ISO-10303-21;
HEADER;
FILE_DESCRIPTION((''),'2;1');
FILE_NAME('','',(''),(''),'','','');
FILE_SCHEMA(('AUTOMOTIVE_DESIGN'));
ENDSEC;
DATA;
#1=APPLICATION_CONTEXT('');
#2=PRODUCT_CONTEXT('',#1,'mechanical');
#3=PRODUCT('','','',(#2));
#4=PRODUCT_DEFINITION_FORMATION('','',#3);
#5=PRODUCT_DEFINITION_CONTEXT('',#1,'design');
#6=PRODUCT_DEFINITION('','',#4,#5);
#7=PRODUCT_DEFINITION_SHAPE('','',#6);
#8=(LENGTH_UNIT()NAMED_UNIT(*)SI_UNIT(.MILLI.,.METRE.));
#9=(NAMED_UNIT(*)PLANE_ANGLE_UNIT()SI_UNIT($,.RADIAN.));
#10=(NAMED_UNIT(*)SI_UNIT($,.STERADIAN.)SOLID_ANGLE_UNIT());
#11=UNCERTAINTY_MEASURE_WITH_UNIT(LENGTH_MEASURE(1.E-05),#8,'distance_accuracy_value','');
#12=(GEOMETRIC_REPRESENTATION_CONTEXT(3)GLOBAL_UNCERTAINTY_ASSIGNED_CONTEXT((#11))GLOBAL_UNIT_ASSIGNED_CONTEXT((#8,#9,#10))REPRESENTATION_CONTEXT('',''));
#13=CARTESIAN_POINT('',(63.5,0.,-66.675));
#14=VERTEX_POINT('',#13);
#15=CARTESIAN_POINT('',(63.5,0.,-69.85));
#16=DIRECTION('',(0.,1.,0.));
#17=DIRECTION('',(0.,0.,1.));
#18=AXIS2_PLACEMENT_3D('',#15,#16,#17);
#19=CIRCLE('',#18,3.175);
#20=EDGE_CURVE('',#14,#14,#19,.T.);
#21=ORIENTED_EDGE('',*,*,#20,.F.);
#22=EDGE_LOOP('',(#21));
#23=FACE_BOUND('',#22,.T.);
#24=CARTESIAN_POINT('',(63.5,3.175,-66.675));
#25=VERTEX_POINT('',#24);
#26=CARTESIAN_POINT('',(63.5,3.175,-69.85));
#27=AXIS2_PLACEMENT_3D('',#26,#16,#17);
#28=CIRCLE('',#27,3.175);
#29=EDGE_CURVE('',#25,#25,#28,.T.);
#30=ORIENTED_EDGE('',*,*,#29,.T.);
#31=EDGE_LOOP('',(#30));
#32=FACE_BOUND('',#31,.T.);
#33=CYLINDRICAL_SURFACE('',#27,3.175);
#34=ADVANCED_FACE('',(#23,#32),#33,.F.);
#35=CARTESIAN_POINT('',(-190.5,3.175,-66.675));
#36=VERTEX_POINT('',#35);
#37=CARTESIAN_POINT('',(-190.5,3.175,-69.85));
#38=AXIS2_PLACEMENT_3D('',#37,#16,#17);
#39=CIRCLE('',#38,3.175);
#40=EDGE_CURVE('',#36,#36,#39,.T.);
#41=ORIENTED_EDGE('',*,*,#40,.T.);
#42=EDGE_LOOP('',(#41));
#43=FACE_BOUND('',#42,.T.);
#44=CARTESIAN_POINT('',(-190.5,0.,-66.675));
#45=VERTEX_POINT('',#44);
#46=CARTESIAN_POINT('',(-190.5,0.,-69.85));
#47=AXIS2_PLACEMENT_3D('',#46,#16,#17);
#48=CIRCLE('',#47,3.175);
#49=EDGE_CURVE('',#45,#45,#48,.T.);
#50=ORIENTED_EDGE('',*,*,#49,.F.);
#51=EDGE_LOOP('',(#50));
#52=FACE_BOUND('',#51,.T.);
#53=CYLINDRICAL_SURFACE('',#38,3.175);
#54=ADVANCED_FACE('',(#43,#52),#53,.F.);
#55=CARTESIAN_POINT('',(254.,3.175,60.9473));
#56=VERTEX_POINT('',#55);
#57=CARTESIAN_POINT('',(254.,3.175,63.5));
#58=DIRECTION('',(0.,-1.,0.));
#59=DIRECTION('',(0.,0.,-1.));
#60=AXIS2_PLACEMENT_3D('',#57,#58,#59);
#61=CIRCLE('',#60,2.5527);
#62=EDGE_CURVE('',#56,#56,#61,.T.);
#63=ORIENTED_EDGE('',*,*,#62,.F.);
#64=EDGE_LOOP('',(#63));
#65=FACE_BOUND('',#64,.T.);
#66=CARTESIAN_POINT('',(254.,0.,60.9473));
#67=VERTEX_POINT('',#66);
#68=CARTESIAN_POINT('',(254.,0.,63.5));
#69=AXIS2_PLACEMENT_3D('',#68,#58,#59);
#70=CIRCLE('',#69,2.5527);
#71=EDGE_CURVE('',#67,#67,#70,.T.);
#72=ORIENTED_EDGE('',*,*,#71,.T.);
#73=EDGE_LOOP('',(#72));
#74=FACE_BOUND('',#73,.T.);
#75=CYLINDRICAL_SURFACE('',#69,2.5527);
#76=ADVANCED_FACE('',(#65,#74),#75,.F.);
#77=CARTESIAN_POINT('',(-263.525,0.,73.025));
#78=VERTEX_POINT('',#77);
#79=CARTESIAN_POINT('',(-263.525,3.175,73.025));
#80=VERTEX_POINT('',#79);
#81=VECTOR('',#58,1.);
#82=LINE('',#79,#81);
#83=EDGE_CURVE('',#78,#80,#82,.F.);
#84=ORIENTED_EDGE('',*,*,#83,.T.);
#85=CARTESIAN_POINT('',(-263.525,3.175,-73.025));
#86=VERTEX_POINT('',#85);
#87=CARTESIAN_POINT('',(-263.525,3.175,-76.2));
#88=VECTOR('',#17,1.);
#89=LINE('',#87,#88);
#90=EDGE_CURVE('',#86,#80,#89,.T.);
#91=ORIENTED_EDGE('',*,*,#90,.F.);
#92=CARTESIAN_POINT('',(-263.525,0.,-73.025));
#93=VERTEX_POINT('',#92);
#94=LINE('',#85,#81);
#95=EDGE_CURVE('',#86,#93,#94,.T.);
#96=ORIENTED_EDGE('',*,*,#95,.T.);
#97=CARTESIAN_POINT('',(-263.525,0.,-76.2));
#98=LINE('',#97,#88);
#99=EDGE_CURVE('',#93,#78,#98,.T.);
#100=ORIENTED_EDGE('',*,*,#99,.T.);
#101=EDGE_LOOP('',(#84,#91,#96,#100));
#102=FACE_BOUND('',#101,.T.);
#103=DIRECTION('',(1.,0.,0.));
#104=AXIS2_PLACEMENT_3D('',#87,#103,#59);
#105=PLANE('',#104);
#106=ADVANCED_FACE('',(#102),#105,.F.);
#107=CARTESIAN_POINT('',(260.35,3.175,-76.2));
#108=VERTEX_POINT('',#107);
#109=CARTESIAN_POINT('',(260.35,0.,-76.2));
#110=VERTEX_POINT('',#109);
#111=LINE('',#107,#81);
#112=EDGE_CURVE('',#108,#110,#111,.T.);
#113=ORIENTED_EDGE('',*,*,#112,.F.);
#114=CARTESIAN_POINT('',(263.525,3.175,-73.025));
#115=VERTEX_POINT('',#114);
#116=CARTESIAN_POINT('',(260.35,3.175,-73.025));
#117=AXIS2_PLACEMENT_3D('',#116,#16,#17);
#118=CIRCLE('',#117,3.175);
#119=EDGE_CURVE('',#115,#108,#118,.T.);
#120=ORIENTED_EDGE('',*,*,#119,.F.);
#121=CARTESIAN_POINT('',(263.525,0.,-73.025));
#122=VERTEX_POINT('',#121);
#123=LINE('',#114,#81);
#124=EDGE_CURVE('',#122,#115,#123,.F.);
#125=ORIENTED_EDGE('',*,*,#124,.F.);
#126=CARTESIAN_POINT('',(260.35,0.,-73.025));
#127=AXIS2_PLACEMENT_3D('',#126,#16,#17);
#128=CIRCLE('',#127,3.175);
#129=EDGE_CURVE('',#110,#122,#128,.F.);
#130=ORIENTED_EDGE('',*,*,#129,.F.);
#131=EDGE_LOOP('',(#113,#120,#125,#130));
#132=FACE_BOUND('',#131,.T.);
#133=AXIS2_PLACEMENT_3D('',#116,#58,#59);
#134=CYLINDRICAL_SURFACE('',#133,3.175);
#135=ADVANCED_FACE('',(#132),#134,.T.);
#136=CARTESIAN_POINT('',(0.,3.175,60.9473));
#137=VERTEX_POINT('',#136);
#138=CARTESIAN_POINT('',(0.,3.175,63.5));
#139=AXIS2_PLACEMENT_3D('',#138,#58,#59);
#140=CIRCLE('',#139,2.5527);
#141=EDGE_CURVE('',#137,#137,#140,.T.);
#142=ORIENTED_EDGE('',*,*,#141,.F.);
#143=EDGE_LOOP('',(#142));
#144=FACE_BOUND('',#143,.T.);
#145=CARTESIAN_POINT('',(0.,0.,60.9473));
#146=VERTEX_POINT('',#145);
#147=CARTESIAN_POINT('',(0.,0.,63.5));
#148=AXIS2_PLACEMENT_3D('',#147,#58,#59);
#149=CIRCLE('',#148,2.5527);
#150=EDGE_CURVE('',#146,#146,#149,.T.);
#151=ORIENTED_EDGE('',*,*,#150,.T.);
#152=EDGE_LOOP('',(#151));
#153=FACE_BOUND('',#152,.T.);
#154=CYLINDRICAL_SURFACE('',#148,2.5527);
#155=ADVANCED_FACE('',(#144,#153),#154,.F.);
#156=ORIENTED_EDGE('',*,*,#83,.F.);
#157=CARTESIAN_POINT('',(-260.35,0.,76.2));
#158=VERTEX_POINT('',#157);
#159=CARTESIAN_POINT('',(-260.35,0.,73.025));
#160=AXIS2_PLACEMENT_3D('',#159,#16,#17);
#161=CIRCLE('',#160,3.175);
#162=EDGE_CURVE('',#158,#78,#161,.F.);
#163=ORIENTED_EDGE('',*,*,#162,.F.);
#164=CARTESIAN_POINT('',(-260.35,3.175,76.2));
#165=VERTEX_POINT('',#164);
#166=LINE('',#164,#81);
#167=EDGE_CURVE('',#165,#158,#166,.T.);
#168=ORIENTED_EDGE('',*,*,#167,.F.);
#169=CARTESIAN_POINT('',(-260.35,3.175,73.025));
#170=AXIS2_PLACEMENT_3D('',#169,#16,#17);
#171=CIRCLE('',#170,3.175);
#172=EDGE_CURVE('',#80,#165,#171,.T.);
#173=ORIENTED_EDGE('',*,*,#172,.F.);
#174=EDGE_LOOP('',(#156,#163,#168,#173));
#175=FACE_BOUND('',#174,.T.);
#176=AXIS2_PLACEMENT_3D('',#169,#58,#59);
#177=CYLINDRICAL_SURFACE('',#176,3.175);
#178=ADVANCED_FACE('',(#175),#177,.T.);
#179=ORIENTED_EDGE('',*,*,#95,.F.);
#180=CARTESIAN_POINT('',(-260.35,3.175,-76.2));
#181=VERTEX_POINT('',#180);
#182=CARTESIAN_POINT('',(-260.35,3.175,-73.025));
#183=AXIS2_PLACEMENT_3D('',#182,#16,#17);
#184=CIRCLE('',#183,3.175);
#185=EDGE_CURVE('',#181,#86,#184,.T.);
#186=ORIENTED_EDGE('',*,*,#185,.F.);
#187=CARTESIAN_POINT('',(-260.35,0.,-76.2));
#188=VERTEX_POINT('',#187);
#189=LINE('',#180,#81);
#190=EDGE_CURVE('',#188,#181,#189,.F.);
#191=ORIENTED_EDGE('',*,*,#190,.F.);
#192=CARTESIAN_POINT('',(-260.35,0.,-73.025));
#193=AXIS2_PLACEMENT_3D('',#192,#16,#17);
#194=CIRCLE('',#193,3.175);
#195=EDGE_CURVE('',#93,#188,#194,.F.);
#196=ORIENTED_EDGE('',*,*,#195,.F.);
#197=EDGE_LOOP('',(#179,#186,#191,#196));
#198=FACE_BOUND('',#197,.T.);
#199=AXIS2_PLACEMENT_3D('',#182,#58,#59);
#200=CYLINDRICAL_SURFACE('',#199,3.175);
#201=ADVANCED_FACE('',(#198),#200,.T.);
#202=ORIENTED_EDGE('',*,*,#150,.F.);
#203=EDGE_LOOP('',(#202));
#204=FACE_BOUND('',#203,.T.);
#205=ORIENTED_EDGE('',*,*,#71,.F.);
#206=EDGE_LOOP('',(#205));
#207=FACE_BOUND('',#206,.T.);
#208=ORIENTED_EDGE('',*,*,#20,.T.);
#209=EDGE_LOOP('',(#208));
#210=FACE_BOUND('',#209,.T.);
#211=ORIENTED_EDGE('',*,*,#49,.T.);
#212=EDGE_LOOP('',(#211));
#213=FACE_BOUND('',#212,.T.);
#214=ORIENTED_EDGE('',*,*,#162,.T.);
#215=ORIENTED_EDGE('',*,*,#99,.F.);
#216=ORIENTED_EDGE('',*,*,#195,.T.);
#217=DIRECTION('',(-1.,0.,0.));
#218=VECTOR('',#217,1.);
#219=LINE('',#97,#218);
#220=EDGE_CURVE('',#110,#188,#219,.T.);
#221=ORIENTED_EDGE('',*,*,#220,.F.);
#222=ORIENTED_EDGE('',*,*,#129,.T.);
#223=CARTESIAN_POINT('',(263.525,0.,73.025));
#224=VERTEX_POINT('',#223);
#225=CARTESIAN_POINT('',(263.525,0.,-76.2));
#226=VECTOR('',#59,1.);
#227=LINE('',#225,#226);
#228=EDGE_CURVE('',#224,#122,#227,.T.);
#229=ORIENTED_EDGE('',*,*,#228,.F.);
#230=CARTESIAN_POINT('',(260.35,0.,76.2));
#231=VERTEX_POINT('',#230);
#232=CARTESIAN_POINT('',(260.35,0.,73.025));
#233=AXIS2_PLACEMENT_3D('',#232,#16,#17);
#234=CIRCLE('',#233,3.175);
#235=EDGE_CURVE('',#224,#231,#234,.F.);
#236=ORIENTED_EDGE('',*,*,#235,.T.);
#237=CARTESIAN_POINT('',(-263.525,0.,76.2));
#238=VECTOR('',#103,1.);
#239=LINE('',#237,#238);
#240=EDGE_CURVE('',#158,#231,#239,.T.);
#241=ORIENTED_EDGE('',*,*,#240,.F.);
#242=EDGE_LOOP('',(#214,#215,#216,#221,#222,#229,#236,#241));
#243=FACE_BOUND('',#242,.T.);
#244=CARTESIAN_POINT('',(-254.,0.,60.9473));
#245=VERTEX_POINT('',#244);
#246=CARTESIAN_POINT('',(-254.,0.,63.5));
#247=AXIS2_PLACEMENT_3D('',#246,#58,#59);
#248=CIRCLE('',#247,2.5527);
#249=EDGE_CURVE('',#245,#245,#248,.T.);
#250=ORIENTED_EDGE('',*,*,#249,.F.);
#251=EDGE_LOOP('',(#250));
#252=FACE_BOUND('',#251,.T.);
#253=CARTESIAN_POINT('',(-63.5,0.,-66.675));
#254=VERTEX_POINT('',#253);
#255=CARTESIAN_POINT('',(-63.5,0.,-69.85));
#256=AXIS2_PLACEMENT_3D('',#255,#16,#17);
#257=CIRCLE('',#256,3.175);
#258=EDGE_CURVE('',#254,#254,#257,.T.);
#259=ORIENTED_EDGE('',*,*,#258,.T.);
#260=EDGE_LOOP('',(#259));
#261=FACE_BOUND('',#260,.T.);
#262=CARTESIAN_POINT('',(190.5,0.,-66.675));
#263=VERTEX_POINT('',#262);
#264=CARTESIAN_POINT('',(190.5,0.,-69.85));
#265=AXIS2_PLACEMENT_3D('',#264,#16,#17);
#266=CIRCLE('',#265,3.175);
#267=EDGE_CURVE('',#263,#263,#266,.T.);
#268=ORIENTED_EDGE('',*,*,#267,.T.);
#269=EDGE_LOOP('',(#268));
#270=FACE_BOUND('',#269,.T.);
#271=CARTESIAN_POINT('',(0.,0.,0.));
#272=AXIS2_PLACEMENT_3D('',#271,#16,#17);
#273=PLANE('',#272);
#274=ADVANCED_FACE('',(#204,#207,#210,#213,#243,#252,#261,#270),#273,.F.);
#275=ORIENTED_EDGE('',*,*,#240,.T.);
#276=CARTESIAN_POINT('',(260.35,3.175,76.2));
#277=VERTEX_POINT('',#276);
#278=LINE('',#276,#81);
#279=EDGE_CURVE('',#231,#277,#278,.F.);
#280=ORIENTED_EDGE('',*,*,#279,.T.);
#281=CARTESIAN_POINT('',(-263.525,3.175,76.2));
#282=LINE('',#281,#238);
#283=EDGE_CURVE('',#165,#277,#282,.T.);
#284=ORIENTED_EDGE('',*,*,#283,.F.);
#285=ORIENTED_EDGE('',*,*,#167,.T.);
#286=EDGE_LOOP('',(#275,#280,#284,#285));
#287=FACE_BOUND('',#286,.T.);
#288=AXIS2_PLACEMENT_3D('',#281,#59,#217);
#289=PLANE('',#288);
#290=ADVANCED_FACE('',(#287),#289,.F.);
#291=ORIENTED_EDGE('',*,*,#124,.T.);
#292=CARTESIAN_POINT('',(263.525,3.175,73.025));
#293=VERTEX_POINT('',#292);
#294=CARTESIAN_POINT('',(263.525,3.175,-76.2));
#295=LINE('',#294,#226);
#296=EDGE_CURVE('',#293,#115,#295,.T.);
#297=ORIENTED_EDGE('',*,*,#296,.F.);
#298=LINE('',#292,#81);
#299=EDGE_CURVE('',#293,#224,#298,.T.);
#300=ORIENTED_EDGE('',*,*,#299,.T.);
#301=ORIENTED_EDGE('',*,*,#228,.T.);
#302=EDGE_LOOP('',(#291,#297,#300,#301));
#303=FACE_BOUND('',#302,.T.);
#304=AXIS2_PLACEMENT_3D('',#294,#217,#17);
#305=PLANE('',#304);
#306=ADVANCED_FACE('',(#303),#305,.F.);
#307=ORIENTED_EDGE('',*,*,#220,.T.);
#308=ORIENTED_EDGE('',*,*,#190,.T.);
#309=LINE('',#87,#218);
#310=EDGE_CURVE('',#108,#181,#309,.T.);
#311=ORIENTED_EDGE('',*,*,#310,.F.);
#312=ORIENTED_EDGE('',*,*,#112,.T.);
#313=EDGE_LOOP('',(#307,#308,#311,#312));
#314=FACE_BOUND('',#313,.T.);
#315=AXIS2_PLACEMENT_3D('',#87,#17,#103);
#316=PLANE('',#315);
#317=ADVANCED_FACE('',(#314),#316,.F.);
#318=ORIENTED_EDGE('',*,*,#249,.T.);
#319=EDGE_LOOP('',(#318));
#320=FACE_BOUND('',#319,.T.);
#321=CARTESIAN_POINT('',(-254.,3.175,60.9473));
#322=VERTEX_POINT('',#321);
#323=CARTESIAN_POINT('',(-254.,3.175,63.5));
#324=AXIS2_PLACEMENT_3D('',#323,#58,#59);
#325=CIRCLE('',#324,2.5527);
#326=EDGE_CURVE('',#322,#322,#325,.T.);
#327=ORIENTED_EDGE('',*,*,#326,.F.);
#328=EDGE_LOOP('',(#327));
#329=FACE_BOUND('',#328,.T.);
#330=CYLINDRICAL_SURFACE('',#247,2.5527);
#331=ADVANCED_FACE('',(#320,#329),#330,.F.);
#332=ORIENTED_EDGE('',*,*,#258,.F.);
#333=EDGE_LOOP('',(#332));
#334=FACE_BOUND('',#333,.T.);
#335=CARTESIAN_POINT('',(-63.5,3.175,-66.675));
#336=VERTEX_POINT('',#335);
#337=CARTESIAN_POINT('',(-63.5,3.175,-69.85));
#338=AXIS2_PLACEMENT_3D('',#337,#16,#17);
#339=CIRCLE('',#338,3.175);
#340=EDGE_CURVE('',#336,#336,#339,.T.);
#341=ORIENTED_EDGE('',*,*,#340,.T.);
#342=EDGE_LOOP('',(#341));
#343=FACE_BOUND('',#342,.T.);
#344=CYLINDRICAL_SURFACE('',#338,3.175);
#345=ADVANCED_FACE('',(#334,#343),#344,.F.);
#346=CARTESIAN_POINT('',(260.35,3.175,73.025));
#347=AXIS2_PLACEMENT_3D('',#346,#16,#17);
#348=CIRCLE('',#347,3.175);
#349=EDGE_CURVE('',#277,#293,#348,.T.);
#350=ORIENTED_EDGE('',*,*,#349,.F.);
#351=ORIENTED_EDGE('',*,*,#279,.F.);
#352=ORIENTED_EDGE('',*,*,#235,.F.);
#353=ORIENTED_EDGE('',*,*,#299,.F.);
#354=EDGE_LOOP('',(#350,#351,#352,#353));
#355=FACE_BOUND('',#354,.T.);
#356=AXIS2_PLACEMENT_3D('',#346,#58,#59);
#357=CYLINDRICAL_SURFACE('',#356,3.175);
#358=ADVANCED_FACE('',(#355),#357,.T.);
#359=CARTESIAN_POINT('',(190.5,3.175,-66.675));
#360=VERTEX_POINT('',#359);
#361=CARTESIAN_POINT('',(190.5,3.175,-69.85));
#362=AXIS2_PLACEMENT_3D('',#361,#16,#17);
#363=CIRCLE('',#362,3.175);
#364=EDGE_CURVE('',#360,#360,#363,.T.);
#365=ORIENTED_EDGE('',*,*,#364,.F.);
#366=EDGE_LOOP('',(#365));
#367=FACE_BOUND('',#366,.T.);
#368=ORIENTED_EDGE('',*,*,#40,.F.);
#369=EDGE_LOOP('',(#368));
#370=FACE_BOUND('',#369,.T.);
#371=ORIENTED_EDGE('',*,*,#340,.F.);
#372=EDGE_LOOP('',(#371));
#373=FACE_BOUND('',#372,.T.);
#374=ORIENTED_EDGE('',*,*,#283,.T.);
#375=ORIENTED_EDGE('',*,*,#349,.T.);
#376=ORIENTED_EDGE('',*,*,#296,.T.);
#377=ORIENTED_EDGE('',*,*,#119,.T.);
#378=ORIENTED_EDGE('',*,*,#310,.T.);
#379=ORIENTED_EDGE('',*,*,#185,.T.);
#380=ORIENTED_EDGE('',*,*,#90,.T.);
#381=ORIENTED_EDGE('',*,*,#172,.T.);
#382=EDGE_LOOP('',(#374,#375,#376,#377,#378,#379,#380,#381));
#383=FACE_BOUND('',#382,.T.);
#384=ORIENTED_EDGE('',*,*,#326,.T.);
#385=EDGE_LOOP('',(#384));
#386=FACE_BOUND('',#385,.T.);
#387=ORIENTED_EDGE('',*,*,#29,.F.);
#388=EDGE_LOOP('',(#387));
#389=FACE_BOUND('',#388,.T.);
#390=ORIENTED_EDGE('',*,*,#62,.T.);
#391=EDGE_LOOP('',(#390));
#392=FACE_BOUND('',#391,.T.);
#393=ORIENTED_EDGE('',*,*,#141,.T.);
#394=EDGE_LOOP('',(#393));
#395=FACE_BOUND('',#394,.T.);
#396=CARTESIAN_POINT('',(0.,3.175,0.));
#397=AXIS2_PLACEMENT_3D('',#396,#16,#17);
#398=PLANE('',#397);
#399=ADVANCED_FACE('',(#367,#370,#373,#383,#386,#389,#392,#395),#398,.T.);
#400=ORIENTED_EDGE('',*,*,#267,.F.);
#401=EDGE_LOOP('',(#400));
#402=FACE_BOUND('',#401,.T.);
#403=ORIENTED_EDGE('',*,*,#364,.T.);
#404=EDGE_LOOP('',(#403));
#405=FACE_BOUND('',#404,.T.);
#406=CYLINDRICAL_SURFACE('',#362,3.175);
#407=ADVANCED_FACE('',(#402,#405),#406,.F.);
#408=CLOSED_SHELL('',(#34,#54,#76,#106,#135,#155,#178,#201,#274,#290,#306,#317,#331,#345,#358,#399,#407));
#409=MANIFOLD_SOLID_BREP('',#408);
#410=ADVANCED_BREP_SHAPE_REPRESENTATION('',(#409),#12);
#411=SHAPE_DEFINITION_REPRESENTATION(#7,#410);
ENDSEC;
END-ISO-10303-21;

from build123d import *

# Parameters (mm, degrees)
SKETCH1_W                   = 527.05
SKETCH1_H                   = 152.4
BOSS_EXTRUDE1_DEPTH         = 3.175
F_7_0_201_DIAMETER_HOLE1_D  = 5.1054
FILLET1_R                   = 3.175
F_1_4_0_25_DIAMETER_HOLE1_D = 6.35


with BuildPart() as part:
    # Sketch1 → Boss-Extrude1 (new body)
    with BuildSketch(Plane(origin=(0, 0, 0), x_dir=(1, 0, 0), z_dir=(0, 1, 0))):
        Rectangle(SKETCH1_W, SKETCH1_H)
    extrude(amount=BOSS_EXTRUDE1_DEPTH)

    # #7 (0.201) Diameter Hole1 (through all)
    with Locations(Plane(origin=(0, 0, 0), x_dir=(-1, 0, 0), z_dir=(0, -1, 0))):
        with Locations((-254, -63.5), (0, -63.5), (254, -63.5)):
            Hole(F_7_0_201_DIAMETER_HOLE1_D / 2)

    # Fillet1
    fillet1_edges = [part.edges().sort_by_distance(p)[0] for p in [
        (263.525, 1.5875, 76.2),
        (-263.525, 1.5875, 76.2),
        (-263.525, 1.5875, -76.2),
        (263.525, 1.5875, -76.2),
    ]]
    fillet(fillet1_edges, radius=FILLET1_R)

    # 1/4 (0.25) Diameter Hole1 (through all)
    with Locations(Plane(origin=(0, 3.175, 0), x_dir=(1, 0, 0), z_dir=(0, 1, 0))):
        with Locations((190.5, 69.85), (63.5, 69.85), (-63.5, 69.85), (-190.5, 69.85)):
            Hole(F_1_4_0_25_DIAMETER_HOLE1_D / 2)


solid = part.part
